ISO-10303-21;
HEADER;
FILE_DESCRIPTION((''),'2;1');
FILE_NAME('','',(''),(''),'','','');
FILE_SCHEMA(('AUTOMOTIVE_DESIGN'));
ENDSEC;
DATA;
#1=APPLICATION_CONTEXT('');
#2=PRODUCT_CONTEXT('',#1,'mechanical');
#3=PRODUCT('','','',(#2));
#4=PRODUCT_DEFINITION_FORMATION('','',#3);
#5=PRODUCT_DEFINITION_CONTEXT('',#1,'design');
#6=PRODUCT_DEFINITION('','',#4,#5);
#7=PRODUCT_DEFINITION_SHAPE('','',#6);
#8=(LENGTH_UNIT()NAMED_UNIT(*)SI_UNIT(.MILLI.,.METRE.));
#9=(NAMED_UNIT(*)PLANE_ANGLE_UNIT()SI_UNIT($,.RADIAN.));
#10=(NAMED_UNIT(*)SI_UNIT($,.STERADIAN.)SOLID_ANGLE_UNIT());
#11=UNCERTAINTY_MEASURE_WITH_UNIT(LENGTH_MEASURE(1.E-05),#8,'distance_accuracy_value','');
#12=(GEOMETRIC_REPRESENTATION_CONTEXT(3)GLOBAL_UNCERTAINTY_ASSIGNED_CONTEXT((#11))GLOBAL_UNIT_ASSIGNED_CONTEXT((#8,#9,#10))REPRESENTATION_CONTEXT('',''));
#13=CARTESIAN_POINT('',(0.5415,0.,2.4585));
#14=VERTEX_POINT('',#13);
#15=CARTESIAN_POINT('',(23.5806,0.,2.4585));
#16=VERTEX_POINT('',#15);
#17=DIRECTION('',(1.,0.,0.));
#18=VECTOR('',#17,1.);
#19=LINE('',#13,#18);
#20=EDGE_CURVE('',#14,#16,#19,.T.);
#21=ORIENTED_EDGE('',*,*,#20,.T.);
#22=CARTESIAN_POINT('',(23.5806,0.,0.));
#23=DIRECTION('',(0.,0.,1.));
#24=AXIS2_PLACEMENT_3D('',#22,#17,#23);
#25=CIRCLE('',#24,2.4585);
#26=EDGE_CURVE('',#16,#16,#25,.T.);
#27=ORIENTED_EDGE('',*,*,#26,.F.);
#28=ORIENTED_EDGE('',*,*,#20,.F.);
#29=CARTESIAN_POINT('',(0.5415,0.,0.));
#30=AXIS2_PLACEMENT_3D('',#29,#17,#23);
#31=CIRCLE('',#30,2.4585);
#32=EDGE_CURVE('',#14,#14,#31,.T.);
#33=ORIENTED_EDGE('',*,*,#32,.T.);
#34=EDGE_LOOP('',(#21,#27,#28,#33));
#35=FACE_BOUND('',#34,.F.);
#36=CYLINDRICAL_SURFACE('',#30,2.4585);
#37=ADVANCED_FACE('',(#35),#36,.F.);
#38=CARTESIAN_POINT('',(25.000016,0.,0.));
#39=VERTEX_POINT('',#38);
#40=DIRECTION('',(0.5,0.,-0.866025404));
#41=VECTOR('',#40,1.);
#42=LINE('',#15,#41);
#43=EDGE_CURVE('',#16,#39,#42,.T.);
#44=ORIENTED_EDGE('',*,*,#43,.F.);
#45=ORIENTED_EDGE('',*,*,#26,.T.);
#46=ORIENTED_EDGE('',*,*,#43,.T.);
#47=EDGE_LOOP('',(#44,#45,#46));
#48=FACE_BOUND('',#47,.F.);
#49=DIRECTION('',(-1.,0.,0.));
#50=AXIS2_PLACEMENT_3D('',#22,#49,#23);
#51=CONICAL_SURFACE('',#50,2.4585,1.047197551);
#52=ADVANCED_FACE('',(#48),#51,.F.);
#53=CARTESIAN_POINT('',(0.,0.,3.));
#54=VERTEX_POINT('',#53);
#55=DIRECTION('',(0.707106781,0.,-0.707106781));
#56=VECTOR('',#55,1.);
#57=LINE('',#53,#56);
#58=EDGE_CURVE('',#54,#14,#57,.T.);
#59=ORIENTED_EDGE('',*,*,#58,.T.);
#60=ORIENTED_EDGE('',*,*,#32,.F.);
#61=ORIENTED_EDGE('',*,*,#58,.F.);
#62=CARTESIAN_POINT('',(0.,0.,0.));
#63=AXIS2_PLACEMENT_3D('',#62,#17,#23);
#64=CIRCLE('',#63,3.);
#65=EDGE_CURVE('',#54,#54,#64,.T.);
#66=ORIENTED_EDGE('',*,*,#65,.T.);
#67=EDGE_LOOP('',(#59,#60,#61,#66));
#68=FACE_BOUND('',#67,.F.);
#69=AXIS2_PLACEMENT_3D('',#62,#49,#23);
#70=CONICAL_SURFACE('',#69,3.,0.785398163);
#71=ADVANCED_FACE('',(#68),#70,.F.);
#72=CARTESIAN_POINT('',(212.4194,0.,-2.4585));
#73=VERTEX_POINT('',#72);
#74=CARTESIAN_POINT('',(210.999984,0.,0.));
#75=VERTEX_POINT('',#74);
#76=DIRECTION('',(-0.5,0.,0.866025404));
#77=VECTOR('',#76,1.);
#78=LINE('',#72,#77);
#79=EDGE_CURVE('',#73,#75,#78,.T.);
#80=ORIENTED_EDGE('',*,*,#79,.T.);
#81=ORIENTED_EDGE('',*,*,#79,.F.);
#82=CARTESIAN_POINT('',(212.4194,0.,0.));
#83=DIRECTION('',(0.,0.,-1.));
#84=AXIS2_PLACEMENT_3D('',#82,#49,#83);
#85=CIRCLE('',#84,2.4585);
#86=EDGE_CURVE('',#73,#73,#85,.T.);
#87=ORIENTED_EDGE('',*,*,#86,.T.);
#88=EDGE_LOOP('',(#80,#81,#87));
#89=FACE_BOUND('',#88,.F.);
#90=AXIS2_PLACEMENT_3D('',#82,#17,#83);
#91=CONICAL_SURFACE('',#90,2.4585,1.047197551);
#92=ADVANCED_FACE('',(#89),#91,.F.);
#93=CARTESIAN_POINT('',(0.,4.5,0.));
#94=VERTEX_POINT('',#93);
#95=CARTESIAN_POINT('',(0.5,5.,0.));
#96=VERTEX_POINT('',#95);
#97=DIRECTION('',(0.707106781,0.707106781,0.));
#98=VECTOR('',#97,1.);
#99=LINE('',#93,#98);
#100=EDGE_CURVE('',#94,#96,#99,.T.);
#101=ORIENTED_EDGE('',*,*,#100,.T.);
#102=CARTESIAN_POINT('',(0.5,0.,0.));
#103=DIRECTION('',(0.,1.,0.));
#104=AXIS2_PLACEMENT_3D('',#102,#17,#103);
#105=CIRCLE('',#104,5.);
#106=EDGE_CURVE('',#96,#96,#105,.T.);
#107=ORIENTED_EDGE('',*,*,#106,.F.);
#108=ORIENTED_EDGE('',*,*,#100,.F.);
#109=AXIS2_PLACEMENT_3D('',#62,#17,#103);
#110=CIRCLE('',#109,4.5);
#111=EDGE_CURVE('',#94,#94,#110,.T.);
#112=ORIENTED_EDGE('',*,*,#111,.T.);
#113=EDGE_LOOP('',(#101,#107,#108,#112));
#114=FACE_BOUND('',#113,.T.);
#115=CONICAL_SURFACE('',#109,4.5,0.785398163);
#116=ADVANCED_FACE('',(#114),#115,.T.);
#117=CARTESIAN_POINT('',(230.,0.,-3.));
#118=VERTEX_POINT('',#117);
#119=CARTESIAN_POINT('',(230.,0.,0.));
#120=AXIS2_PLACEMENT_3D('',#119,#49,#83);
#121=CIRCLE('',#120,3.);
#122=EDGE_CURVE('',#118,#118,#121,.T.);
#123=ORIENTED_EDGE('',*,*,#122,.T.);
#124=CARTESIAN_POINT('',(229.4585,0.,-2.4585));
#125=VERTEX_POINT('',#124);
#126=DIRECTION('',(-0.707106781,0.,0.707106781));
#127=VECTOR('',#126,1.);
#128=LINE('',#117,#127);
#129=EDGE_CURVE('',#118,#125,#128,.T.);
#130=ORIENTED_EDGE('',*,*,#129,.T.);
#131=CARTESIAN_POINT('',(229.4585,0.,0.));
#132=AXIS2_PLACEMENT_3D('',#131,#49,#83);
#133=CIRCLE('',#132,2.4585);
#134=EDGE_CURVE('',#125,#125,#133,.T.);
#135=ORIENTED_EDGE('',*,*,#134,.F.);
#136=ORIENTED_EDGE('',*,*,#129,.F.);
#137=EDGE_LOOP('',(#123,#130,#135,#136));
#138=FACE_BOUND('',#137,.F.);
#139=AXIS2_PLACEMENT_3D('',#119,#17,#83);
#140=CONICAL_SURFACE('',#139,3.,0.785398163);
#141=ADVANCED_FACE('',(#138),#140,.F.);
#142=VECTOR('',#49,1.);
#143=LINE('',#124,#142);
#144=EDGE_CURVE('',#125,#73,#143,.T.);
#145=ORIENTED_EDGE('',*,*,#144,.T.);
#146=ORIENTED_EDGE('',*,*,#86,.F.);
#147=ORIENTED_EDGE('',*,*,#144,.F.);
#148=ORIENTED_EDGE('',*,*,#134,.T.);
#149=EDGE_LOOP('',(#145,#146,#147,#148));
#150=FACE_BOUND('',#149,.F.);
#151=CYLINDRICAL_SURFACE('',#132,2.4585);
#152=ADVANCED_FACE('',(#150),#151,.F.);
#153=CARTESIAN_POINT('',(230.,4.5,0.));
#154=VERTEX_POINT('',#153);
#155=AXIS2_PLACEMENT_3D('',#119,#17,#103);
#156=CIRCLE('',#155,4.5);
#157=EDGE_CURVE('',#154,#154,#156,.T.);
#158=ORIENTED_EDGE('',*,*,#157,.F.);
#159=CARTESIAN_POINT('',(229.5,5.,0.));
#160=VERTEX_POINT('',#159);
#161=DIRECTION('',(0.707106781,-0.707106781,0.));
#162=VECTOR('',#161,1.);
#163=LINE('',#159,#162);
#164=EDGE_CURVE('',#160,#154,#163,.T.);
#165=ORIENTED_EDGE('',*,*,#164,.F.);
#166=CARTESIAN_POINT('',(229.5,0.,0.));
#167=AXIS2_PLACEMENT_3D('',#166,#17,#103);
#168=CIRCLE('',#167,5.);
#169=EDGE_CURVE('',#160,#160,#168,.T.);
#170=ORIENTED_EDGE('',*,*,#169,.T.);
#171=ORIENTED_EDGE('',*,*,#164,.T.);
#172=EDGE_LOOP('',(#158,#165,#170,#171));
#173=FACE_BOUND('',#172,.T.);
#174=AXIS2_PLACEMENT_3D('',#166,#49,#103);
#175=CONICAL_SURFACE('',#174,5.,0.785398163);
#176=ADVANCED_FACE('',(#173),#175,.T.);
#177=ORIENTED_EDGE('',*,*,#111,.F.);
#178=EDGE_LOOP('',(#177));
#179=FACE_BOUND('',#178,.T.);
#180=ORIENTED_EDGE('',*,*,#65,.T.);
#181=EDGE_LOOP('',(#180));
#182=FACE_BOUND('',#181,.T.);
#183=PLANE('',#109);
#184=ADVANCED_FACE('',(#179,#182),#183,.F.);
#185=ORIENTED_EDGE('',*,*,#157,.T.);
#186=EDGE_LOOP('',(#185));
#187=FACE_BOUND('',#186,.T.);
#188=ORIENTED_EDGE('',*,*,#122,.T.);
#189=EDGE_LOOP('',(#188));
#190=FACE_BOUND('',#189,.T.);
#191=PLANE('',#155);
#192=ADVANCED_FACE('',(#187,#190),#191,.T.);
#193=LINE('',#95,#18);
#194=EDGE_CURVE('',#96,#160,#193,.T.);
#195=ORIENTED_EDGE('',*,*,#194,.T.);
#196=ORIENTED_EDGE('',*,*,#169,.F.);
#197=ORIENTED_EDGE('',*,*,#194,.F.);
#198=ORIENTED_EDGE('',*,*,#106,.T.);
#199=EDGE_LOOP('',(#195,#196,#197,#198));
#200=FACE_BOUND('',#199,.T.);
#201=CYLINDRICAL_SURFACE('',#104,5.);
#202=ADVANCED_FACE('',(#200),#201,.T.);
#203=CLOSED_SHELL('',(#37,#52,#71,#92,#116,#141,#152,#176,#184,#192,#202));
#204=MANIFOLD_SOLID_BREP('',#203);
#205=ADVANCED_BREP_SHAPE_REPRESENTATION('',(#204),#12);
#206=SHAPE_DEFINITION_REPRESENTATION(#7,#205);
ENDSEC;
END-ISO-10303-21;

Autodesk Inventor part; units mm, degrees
ref_plane "YZ Plane" through (0, 0, 0) normal (1, 0, 0) x (0, 1, 0)
ref_plane "XZ Plane" through (0, 0, 0) normal (0, 1, 0) x (-1, 0, 0)
ref_plane "XY Plane" through (0, 0, 0) normal (0, 0, 1) x (1, 0, 0)
sketch "Sketch_1" plane through (0, 0, 0) normal (0, 0, 1) x (1, 0, 0)
  line L0 (230, 0) -> (0, 0)
  line L1 (0, 0) -> (0, 4.5)
  line L2 (0, 4.5) -> (0.5, 5)
  line L3 (0.5, 5) -> (229.5, 5)
  line L4 (229.5, 5) -> (230, 4.5)
  line L5 (230, 4.5) -> (230, 0)
  line L6 (230, 0) -> (0, 0)
revolve "Revolution1" add sketch "Sketch_1" angle 360 about axis through (230, 0, 0) along (1, 0, 0)
sketch "Sketch2" plane through (0, 0, 0) normal (-1, 0, 0) x (0, 0, 1)
  point P0 (0, 0)
hole "Hole1" at (0, 0, 0) direction (1, 0, 0) diameter 4.917 depth 23.5806 tip angle 120 countersink diameter 6 countersink angle 90 thread size "M6x1" class "6H" standard "ISO Metric profile"
sketch "Sketch3" plane through (230, 0, 0) normal (1, 0, 0) x (0, 0, -1)
  point P0 (0, 0)
hole "Hole2" at (230, 0, 0) direction (-1, 0, 0) diameter 4.917 depth 17.5806 tip angle 120 countersink diameter 6 countersink angle 90 thread size "M6x1" class "6H" standard "ISO Metric profile"
properties part number "SSFRW10-230-MD6-N6_s"
